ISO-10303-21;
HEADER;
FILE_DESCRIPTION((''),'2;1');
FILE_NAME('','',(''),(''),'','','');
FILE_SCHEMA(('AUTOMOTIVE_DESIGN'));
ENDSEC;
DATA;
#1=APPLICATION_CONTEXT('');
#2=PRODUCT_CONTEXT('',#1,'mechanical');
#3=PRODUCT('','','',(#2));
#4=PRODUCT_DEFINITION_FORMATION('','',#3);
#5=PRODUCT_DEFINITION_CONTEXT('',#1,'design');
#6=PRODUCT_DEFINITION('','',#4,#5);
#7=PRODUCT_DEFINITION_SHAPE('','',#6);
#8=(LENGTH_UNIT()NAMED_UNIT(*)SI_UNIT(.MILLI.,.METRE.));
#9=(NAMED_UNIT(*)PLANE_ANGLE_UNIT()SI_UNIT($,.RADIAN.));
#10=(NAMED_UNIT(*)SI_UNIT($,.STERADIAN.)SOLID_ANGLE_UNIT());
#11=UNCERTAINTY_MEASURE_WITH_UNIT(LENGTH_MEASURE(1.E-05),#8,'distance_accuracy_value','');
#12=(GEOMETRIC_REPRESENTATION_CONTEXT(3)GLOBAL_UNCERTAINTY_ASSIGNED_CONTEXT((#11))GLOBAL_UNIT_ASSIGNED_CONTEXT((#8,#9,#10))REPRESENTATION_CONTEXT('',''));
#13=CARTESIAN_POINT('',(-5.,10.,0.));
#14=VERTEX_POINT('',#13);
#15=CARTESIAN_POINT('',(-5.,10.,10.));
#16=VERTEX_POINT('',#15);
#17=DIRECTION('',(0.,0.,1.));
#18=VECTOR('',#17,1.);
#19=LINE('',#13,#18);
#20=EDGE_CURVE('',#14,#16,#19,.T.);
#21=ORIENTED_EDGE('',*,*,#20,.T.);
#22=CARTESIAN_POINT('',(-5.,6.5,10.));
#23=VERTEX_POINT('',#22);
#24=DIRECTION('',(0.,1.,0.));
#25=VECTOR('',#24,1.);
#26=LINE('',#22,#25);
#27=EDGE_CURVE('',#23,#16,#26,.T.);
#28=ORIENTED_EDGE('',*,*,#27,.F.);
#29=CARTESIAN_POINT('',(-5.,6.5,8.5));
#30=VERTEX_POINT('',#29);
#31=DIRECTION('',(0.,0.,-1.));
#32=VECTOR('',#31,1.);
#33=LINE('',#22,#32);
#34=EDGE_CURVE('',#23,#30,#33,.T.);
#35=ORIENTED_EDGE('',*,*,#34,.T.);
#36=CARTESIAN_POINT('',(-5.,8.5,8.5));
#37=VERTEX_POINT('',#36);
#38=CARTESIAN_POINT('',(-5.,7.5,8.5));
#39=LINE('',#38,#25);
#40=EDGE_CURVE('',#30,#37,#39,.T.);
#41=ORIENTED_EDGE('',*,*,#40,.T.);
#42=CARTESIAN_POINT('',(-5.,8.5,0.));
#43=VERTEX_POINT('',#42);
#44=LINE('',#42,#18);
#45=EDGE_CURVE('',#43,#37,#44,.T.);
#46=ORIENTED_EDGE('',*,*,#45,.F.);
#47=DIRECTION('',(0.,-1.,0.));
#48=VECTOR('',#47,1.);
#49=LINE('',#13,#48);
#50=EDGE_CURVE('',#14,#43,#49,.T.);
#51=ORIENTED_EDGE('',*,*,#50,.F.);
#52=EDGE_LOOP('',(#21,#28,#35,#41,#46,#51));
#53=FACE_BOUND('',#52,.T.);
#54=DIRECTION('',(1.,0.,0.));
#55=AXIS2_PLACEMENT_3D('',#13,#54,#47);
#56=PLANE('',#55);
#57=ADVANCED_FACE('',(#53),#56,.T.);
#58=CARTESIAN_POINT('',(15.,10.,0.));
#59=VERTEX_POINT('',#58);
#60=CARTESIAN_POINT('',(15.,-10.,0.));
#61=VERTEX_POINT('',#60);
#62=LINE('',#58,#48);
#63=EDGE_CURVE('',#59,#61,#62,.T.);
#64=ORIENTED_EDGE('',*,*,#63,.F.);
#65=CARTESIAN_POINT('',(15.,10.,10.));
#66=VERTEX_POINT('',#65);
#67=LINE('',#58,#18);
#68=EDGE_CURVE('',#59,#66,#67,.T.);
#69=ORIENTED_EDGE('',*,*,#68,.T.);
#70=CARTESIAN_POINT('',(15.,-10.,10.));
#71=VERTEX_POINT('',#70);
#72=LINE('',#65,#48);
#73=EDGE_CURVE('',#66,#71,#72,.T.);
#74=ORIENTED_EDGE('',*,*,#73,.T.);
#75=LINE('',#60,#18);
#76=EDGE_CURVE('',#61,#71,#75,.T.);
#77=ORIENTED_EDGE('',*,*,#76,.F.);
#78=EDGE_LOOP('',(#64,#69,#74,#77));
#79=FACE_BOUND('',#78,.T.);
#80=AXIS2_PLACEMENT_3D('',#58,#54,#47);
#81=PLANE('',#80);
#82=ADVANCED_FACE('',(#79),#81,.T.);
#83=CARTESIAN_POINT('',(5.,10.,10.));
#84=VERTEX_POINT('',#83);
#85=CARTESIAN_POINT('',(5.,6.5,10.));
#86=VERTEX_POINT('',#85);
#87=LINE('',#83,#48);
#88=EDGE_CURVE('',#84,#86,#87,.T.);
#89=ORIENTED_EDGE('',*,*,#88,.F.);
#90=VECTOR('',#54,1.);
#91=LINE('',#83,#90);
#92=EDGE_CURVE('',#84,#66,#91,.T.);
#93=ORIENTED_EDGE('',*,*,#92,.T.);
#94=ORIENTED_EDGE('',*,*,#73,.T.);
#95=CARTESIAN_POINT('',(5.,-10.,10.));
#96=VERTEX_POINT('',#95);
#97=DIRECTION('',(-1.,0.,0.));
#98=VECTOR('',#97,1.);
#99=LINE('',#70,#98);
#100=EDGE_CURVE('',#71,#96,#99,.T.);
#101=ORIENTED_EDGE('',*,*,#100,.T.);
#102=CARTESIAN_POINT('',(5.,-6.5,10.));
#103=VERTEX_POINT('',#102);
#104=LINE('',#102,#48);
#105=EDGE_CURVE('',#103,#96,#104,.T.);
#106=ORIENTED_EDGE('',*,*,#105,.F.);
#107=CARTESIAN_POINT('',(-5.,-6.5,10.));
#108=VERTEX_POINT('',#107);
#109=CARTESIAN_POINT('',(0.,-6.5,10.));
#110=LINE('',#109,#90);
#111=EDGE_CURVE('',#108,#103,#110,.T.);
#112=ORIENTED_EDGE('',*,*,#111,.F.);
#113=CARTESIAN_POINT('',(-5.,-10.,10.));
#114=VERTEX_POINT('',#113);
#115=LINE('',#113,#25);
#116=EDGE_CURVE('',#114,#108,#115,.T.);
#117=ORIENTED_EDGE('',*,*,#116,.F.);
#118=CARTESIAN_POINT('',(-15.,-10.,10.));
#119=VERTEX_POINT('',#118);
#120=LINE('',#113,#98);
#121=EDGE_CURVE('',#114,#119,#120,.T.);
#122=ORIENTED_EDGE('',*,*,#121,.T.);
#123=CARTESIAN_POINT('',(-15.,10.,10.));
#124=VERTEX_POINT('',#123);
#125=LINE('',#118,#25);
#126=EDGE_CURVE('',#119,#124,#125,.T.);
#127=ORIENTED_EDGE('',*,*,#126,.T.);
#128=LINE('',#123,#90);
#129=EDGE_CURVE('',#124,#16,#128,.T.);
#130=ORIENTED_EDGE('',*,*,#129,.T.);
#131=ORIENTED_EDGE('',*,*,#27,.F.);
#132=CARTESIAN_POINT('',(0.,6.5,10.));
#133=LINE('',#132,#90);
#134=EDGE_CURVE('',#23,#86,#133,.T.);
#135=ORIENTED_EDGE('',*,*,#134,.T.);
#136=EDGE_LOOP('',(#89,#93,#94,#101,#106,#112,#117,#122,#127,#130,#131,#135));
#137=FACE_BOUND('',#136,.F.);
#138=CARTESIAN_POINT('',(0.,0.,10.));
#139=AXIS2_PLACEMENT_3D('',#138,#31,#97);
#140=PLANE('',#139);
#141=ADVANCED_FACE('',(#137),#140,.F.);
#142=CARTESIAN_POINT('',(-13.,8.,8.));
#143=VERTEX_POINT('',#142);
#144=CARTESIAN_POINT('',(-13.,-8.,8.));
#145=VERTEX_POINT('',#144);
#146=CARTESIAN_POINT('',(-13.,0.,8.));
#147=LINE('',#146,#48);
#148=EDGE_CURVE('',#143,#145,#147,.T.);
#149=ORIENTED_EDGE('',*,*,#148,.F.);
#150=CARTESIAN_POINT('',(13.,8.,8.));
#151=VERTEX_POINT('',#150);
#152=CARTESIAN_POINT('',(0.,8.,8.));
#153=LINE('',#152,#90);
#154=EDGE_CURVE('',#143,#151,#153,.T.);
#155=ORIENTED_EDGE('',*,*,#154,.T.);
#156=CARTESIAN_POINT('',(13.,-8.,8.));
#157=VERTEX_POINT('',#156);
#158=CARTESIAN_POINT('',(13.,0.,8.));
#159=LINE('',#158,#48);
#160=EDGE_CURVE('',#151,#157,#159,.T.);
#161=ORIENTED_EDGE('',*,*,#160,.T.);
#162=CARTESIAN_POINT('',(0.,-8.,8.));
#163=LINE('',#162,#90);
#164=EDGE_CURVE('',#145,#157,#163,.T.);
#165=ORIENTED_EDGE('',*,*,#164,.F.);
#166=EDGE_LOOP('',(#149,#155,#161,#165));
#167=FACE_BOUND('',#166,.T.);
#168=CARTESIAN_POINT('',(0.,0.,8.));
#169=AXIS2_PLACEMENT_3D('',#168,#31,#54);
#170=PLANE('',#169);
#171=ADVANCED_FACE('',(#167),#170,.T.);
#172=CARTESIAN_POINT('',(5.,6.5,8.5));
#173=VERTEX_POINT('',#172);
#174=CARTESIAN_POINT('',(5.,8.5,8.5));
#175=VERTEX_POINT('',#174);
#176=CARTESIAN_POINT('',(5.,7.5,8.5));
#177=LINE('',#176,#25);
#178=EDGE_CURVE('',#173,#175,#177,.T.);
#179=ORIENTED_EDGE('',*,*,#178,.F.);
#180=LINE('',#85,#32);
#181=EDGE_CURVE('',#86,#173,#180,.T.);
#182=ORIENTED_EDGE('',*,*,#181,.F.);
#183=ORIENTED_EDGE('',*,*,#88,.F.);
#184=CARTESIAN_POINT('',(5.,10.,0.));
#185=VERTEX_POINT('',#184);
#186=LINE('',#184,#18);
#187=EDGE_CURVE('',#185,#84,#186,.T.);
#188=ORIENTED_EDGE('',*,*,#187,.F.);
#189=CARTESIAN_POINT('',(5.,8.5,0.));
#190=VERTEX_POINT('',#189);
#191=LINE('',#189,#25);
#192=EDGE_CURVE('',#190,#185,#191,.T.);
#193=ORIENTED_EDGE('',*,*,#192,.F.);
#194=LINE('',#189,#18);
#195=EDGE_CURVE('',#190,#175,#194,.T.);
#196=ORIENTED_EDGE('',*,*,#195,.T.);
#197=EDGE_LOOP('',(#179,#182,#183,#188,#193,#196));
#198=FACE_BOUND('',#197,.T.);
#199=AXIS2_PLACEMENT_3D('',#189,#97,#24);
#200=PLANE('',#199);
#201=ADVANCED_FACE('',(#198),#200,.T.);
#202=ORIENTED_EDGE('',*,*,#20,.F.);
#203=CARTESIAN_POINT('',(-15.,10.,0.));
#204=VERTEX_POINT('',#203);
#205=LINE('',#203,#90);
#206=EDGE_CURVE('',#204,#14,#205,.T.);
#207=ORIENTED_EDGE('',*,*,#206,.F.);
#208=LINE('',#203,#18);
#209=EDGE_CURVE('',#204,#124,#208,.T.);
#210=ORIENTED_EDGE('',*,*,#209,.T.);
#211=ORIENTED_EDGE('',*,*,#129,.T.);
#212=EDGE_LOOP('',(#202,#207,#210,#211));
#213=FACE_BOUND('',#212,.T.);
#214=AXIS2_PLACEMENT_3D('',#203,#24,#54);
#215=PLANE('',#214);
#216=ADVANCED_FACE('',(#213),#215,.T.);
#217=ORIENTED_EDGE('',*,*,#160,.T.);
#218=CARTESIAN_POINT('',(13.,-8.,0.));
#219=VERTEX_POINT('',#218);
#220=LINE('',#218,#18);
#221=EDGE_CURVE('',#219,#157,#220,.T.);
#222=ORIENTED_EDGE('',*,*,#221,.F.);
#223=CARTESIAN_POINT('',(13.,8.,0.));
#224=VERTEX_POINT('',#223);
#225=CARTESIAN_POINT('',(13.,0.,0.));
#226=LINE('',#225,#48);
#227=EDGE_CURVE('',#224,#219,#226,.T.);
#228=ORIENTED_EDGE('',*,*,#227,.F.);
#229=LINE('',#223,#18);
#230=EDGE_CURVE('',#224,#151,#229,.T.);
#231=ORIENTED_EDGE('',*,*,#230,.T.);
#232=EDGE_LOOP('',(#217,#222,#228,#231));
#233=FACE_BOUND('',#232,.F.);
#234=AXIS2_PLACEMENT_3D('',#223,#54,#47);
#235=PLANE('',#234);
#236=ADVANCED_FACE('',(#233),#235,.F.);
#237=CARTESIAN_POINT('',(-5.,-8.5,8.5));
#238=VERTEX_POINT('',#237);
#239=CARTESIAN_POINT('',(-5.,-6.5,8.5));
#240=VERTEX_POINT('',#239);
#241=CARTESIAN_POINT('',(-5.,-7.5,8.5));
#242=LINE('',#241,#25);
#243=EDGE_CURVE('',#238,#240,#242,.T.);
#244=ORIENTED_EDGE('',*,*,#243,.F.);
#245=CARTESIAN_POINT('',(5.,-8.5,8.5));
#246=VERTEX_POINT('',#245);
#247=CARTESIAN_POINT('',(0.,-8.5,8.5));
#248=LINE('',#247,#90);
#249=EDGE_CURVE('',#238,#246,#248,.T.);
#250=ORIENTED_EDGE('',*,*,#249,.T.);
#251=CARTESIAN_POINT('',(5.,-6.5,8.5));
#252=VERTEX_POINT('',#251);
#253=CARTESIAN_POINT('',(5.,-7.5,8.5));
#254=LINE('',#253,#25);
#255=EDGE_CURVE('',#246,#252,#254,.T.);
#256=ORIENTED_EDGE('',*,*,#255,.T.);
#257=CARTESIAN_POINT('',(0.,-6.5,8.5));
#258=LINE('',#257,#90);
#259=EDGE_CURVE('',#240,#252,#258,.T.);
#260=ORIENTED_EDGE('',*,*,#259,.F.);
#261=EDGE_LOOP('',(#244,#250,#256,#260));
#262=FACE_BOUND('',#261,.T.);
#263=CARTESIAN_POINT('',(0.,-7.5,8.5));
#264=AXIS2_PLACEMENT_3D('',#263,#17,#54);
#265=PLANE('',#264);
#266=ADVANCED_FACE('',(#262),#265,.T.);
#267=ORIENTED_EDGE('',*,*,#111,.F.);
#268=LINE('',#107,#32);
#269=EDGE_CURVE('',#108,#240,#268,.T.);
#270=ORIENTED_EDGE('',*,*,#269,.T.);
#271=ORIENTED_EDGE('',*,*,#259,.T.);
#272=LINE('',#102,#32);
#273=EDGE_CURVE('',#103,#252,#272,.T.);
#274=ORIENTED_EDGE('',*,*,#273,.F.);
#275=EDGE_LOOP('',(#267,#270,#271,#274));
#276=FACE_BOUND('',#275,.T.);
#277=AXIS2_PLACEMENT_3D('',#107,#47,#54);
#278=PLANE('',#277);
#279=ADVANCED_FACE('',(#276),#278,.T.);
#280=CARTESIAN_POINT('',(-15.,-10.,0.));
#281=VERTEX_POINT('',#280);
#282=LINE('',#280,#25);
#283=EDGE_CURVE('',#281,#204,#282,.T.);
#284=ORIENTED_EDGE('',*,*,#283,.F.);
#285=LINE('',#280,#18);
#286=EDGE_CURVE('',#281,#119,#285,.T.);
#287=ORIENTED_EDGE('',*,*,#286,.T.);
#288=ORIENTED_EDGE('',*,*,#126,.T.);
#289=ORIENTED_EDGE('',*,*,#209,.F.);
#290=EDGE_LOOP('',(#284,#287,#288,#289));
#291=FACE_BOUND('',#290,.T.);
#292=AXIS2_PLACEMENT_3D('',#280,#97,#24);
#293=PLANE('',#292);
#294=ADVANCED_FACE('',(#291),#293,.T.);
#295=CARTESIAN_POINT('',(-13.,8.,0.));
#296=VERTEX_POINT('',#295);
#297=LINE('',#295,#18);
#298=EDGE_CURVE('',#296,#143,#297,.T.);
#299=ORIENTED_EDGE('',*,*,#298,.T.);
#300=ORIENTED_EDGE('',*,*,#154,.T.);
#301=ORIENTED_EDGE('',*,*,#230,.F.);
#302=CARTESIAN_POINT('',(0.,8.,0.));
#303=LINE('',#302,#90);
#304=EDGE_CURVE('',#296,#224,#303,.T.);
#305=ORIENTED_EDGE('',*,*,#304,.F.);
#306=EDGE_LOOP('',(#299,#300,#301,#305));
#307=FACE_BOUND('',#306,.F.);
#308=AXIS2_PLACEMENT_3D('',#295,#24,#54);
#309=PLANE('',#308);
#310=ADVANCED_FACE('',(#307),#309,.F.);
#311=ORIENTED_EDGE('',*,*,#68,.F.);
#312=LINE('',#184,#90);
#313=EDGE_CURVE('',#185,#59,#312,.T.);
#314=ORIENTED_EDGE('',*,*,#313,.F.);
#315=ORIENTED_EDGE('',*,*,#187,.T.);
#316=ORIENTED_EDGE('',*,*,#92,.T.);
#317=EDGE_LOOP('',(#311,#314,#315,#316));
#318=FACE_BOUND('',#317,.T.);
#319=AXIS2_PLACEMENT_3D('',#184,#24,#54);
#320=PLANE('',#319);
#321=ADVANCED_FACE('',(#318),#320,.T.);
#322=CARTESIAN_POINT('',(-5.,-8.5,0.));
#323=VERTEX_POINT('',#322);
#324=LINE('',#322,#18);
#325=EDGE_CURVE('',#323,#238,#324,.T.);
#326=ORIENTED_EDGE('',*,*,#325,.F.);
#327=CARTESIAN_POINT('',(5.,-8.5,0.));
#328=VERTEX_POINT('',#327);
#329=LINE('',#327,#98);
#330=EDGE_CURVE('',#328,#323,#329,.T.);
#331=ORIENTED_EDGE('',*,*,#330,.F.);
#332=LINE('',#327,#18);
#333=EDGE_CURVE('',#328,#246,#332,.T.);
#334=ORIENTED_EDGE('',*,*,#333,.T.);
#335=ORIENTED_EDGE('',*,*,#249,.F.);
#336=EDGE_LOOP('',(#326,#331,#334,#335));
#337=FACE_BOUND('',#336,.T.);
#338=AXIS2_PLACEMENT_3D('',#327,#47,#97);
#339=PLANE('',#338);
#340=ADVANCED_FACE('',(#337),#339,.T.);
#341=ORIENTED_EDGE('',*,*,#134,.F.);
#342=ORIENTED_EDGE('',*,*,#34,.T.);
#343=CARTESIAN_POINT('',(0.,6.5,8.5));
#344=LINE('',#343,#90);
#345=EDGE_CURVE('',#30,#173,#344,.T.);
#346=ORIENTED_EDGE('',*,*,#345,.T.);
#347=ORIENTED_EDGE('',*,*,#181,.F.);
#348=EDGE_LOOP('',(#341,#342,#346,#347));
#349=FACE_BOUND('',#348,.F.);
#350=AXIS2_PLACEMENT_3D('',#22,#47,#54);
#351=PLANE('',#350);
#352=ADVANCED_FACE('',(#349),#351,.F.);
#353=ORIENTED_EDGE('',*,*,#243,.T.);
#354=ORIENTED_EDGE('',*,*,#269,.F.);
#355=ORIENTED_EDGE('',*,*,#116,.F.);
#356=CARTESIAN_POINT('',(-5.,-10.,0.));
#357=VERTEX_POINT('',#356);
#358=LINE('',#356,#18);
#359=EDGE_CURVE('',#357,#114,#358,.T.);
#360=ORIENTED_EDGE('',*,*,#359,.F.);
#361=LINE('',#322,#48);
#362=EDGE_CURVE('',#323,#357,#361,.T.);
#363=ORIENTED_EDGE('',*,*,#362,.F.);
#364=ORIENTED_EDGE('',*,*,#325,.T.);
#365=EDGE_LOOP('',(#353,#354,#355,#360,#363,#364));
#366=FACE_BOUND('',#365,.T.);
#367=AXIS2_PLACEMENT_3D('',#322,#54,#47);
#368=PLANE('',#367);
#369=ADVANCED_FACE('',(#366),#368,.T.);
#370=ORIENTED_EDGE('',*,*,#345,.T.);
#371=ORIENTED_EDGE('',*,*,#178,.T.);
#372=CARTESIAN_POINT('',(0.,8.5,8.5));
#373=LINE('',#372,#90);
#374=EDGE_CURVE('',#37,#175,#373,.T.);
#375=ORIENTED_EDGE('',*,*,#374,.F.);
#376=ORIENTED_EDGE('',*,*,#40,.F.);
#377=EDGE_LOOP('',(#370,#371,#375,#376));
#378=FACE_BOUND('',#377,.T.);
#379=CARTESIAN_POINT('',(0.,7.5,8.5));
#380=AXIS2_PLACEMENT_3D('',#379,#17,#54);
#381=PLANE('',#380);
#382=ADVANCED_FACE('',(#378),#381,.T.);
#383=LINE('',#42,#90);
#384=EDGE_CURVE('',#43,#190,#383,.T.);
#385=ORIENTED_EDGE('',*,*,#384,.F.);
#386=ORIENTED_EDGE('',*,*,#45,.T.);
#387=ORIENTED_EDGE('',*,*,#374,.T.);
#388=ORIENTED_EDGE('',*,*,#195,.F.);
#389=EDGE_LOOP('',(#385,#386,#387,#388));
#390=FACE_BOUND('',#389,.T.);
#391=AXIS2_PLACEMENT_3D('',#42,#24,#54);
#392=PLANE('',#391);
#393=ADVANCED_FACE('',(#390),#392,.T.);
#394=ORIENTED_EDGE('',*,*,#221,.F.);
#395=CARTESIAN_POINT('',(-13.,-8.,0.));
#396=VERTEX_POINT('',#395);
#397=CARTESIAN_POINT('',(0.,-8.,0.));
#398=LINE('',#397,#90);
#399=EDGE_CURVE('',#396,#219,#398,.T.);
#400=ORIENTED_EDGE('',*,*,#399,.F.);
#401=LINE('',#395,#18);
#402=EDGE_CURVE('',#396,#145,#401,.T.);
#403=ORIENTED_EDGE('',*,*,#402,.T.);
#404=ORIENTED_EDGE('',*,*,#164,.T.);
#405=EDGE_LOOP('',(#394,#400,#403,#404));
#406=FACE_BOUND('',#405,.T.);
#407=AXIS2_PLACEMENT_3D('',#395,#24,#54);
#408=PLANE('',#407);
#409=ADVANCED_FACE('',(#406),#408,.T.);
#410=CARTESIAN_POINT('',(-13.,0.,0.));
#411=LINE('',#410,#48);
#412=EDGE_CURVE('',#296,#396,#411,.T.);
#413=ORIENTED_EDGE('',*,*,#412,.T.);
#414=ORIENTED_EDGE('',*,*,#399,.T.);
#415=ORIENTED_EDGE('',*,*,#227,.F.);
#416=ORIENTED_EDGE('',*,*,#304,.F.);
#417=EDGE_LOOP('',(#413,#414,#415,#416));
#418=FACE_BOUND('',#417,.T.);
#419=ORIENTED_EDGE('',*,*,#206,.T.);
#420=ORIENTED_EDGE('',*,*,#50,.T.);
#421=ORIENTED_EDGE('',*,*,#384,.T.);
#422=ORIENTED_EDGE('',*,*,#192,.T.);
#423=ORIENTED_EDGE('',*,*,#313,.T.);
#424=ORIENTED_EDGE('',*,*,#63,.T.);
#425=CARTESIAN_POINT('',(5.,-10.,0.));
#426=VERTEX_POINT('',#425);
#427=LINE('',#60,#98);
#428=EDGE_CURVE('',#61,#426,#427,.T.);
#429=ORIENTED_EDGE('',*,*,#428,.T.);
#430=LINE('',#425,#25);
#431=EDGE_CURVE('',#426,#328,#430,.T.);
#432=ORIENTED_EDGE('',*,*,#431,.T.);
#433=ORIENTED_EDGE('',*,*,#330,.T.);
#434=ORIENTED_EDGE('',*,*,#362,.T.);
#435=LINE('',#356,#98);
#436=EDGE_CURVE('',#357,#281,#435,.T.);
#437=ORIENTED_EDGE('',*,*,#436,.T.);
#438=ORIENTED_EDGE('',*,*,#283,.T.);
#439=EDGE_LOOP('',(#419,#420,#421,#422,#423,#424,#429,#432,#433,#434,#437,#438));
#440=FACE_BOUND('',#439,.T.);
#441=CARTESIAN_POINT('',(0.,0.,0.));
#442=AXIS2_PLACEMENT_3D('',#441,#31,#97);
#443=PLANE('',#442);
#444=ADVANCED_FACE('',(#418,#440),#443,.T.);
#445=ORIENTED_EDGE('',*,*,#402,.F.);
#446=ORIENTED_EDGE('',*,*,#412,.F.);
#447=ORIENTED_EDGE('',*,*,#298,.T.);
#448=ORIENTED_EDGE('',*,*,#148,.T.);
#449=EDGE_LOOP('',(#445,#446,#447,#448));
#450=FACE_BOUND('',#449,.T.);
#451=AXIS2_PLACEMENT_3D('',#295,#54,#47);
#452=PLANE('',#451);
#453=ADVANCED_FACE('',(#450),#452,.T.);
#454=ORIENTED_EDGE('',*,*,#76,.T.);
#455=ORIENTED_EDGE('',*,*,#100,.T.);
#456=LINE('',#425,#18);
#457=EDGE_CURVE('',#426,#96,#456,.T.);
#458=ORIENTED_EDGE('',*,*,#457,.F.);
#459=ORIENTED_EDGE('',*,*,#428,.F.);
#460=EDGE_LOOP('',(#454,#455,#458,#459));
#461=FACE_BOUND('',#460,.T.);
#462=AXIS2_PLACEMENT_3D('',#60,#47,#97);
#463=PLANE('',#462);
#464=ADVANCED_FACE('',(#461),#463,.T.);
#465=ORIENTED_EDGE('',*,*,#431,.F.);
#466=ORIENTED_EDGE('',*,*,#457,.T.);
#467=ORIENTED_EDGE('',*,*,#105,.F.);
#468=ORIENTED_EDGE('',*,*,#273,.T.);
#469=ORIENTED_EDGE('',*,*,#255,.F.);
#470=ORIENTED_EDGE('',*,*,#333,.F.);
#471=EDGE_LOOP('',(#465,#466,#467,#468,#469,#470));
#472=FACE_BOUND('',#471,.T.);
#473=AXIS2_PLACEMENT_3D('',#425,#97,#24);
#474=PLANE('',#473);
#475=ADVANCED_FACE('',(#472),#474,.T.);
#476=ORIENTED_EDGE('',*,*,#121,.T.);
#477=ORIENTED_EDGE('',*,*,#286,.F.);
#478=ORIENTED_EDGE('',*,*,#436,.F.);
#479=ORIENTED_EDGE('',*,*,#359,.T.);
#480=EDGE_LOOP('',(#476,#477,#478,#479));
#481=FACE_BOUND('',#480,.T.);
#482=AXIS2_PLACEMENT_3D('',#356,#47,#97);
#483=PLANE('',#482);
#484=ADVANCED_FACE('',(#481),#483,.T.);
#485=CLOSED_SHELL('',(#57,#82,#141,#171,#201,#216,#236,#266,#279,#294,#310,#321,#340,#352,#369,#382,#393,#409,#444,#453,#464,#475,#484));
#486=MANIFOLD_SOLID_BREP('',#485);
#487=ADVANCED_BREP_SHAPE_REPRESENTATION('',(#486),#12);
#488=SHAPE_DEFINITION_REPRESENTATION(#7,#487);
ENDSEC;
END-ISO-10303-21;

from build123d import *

# Parameters (mm, degrees)
PAD_DEPTH       = 10
SKETCH001_W     = 26
SKETCH001_H     = 16
POCKET_DEPTH    = 8
SKETCH002_W     = 10
SKETCH002_H     = 2
POCKET001_DEPTH = 1.5


with BuildPart() as part:
    # Sketch → Pad (new body)
    with BuildSketch(Plane.XY):
        Polygon((15, 10), (15, -10), (5, -10), (5, -8.5), (-5, -8.5), (-5, -10), (-15, -10), (-15, 10), (-5, 10), (-5, 8.5), (5, 8.5), (5, 10), align=None)
    extrude(amount=PAD_DEPTH)

    # Sketch001 (on Face13 of Pad) → Pocket (cut)
    with BuildSketch(Plane(origin=(0, 0, 0), x_dir=(1, 0, 0), z_dir=(0, 0, -1))):
        Rectangle(SKETCH001_W, SKETCH001_H)
    extrude(amount=-POCKET_DEPTH, mode=Mode.SUBTRACT)

    # Sketch002 (on Face5 of Pocket) → Pocket001 (cut)
    with BuildSketch(Plane.XY.offset(10)):
        with Locations((0, 7.5)):
            Rectangle(SKETCH002_W, SKETCH002_H)
        with Locations((0, -7.5)):
            Rectangle(SKETCH002_W, SKETCH002_H)
    extrude(amount=-POCKET001_DEPTH, mode=Mode.SUBTRACT)


solid = part.part
